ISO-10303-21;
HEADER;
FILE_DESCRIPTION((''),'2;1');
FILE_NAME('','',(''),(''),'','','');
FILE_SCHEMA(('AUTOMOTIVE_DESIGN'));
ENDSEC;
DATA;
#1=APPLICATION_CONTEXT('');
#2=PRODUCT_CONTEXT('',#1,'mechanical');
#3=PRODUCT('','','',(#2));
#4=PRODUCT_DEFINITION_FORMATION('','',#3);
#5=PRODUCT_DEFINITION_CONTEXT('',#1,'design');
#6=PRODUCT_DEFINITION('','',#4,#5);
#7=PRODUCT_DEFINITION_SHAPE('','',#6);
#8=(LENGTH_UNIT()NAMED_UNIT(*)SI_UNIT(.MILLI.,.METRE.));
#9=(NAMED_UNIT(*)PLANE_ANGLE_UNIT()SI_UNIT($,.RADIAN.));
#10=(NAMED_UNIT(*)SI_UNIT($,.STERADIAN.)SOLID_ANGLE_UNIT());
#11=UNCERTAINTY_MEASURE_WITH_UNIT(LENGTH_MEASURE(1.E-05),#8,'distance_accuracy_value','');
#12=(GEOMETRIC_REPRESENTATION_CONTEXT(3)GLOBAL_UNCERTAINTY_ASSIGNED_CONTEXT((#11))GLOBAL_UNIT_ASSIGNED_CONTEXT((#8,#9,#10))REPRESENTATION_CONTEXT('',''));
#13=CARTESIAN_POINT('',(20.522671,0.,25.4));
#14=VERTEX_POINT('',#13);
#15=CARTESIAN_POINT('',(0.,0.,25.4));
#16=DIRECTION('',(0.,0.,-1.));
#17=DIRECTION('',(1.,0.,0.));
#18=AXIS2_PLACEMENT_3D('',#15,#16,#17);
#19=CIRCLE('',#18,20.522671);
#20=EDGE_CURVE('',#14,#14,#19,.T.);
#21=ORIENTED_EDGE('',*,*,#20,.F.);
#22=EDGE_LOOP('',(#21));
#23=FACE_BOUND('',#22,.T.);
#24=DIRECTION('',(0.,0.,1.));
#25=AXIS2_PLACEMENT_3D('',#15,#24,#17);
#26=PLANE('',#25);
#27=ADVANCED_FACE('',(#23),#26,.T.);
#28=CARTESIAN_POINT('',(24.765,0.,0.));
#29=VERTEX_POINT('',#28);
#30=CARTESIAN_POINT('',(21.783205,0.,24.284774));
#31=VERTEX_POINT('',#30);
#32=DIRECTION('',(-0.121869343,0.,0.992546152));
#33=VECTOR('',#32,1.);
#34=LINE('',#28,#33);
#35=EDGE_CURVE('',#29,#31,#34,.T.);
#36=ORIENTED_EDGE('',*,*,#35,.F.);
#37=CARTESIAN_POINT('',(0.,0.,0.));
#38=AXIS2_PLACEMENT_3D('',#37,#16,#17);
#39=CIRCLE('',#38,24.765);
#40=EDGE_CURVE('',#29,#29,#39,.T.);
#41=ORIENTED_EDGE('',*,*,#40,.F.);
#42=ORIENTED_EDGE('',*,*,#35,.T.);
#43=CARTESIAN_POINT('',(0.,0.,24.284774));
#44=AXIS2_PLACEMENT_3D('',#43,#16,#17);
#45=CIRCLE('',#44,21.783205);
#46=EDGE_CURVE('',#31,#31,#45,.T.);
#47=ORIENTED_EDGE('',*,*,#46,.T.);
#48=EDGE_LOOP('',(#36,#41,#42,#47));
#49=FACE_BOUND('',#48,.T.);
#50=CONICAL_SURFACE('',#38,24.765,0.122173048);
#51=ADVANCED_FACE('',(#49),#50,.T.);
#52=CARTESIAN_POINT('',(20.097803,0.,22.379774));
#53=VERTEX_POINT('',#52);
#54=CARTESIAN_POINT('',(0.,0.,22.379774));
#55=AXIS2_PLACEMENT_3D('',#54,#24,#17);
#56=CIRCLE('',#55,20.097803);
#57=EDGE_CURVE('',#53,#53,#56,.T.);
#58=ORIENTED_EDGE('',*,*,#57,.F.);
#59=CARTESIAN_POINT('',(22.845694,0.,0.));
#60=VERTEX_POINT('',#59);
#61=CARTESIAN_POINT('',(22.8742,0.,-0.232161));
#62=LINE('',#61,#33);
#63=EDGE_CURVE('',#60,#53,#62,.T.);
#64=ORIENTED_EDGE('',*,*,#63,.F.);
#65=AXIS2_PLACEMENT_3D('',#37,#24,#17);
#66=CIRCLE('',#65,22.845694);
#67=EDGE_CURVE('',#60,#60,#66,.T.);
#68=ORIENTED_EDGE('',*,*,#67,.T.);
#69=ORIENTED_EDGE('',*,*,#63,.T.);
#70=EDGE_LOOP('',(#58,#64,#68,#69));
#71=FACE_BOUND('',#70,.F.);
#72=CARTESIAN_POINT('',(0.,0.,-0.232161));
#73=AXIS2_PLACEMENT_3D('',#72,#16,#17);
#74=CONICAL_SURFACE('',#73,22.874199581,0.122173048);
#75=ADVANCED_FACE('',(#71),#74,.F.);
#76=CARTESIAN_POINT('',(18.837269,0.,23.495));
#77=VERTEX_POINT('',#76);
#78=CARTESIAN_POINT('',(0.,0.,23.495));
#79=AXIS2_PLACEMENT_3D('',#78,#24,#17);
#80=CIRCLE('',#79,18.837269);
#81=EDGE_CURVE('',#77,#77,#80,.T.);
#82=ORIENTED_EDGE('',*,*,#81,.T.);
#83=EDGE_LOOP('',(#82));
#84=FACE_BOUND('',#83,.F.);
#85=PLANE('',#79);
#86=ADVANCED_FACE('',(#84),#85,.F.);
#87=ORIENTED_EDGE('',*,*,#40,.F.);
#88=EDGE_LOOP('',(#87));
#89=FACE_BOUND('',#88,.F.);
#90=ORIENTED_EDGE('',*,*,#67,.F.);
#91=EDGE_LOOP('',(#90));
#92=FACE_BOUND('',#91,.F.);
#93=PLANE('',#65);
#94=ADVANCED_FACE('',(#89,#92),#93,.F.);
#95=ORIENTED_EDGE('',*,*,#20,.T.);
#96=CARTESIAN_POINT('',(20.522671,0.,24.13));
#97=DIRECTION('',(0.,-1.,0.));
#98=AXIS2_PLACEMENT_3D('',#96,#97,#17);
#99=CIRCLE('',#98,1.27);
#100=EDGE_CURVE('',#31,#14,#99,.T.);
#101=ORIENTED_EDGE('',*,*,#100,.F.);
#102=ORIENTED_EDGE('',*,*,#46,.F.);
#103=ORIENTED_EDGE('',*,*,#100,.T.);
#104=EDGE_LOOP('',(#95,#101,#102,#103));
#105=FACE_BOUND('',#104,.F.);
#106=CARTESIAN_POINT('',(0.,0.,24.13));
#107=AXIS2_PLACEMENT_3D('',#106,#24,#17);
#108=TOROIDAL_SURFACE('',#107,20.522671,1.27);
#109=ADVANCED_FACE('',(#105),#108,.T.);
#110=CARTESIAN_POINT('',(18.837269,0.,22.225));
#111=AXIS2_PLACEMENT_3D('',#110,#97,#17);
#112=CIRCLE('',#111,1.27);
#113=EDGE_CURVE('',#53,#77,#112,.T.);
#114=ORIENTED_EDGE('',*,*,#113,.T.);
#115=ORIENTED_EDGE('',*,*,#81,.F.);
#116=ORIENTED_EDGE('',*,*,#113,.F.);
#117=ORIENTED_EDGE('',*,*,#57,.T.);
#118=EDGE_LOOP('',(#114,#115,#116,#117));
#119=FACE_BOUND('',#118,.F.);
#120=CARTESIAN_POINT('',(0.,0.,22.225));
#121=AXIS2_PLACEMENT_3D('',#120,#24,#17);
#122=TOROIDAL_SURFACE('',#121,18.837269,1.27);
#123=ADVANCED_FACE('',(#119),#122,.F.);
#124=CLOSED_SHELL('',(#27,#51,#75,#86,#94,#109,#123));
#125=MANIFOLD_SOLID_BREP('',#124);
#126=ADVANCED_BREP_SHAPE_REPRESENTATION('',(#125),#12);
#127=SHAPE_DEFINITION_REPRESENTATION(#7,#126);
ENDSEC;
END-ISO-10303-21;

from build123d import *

# Parameters (mm, degrees)
F0_R     = 24.765
F1_DEPTH = 25.4
F1_TAPER = 7
F2_T     = -1.905
F3_R     = 1.27


with BuildPart() as f1:
    # F0 (on Top) → F1 (new body)
    with BuildSketch(Plane.XY):
        Circle(F0_R)
    extrude(amount=F1_DEPTH, taper=F1_TAPER)

    # F2
    f2_openings = [f1.faces().sort_by_distance(p)[0] for p in [
        (0, 0, 0),
    ]]
    offset(amount=F2_T, openings=f2_openings)

    # F3
    f3_edges = [f1.edges().sort_by_distance(p)[0] for p in [
        (-19.960871, 0, 23.495),
        (-21.646272, 0, 25.4),
    ]]
    fillet(f3_edges, radius=F3_R)


solid = f1.part
